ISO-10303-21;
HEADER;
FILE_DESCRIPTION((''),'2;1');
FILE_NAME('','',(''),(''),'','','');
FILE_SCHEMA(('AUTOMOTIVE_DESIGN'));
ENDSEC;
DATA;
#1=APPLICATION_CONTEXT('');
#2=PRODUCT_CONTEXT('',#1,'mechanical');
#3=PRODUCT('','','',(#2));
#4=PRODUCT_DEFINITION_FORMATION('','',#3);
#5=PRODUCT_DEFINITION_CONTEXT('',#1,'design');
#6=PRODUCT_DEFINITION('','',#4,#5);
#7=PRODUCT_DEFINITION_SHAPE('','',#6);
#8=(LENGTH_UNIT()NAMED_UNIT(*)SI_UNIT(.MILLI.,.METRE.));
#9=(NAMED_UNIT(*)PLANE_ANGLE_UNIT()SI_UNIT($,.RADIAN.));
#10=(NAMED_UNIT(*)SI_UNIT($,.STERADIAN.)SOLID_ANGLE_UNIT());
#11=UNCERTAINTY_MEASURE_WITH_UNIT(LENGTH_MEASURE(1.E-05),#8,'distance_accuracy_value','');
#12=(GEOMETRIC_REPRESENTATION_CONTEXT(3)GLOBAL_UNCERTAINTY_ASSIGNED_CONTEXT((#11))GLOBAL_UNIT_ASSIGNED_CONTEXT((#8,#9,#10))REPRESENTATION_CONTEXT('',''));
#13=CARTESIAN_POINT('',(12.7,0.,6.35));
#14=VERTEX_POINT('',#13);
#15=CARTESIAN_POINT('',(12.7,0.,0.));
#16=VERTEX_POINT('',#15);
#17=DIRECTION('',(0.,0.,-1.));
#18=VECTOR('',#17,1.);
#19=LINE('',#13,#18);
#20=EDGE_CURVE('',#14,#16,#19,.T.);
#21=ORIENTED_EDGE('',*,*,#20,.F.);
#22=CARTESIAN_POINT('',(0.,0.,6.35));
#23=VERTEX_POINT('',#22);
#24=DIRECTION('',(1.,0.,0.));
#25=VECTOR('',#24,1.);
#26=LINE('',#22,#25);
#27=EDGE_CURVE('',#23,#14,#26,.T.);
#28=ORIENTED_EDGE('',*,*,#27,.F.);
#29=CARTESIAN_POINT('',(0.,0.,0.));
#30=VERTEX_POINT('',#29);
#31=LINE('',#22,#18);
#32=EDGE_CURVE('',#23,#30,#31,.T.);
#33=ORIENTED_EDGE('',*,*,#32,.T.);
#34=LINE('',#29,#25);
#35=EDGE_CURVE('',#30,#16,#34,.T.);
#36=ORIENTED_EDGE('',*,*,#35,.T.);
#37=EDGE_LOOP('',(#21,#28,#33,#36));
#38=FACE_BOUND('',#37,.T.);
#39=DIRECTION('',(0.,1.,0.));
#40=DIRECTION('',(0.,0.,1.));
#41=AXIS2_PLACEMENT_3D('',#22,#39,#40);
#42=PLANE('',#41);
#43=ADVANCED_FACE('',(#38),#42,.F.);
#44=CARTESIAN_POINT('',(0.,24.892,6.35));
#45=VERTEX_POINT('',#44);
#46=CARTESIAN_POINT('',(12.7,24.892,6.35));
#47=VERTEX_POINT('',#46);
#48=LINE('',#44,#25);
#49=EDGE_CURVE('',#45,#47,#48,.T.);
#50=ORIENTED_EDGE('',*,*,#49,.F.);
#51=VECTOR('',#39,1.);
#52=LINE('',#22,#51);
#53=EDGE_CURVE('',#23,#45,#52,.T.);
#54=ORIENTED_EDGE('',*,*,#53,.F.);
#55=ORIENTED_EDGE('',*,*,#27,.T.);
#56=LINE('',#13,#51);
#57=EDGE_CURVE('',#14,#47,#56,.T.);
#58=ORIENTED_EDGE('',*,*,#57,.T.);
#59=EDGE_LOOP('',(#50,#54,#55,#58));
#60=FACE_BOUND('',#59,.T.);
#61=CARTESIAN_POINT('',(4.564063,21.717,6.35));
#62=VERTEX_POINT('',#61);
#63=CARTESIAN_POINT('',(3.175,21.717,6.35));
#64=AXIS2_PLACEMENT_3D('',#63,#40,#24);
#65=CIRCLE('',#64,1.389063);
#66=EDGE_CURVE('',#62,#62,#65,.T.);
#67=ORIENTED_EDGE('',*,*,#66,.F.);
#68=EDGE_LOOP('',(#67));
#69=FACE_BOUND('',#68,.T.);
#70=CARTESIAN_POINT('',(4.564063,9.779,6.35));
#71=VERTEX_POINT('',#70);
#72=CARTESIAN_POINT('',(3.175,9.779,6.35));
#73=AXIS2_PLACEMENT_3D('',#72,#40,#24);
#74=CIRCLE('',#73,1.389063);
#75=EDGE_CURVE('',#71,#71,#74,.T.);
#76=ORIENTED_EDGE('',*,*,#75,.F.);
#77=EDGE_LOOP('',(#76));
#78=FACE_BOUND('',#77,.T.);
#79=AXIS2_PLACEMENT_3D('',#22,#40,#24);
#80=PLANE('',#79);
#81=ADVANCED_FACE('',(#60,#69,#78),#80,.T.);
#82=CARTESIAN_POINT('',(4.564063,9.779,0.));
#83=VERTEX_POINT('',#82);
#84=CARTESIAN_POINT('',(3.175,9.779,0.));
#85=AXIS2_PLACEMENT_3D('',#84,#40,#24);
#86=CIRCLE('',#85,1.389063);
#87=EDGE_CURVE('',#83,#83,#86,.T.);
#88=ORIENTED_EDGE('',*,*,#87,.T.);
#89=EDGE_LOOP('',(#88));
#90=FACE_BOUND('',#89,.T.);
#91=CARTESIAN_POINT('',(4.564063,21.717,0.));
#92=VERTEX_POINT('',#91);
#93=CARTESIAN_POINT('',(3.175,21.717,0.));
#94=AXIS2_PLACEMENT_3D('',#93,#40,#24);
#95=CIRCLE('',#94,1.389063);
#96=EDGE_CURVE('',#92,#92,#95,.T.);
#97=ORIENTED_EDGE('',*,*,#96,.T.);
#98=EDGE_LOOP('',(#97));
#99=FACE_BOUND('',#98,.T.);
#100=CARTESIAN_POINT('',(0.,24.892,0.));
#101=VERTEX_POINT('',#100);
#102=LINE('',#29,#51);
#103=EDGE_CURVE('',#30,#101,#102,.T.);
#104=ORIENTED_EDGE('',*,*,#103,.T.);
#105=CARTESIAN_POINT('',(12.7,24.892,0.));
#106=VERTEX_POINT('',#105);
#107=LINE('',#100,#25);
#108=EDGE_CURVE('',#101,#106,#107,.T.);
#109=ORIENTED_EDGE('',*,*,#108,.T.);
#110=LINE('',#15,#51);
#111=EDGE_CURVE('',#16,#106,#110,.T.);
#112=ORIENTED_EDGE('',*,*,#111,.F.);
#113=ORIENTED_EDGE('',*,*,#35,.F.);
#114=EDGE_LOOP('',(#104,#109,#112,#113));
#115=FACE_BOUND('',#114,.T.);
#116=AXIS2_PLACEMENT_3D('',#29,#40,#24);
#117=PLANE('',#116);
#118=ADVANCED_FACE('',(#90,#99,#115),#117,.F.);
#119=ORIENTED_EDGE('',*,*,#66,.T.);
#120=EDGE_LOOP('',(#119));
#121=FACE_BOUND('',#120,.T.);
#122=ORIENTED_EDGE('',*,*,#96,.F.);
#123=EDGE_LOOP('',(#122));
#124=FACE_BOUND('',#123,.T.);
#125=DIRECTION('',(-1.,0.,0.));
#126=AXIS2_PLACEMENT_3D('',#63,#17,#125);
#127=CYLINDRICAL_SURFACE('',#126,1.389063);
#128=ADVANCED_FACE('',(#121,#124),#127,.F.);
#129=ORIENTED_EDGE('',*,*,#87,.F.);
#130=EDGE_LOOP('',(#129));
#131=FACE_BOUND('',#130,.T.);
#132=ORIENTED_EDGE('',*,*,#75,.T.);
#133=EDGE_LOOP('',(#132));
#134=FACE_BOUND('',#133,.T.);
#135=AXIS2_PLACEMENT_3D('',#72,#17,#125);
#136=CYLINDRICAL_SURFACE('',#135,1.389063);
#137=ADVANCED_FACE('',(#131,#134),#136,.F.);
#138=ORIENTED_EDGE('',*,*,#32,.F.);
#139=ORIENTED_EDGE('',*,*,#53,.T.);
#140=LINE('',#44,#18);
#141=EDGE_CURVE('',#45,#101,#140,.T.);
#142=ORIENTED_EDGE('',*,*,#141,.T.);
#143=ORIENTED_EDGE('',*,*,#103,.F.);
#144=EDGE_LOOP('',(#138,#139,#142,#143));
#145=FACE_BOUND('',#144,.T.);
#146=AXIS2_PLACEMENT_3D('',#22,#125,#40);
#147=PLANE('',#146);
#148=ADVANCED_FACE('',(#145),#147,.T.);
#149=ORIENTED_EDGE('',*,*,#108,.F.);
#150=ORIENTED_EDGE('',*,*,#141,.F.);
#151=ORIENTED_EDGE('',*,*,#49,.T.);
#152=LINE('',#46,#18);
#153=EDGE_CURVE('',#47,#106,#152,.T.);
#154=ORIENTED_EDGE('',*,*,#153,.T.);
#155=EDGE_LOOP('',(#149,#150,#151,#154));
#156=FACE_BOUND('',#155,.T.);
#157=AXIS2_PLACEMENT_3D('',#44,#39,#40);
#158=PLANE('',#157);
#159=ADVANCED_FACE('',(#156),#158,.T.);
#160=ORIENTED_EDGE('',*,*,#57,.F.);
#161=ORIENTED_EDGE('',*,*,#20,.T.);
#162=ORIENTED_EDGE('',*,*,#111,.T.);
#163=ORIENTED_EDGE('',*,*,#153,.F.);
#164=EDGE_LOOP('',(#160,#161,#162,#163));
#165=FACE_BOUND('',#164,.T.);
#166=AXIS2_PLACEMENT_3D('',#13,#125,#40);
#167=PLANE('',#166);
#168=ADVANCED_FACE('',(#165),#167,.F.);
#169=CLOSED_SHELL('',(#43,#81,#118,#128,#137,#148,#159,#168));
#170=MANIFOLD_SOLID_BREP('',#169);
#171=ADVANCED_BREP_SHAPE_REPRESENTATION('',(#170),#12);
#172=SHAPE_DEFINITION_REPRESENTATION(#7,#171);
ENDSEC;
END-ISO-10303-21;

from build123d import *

# Parameters (mm, degrees)
SKETCH2_W           = 12.7
SKETCH2_H           = 24.892
SKETCH2_R           = 1.3890625
BOSS_EXTRUDE2_DEPTH = 6.35


with BuildPart() as part:
    # Sketch2 → Boss-Extrude2 (new body)
    with BuildSketch(Plane.XY):
        with Locations((6.35, 12.446)):
            Rectangle(SKETCH2_W, SKETCH2_H)
        with Locations((3.175, 9.779)):
            Circle(SKETCH2_R, mode=Mode.SUBTRACT)
        with Locations((3.175, 21.717)):
            Circle(SKETCH2_R, mode=Mode.SUBTRACT)
    extrude(amount=BOSS_EXTRUDE2_DEPTH)


solid = part.part
